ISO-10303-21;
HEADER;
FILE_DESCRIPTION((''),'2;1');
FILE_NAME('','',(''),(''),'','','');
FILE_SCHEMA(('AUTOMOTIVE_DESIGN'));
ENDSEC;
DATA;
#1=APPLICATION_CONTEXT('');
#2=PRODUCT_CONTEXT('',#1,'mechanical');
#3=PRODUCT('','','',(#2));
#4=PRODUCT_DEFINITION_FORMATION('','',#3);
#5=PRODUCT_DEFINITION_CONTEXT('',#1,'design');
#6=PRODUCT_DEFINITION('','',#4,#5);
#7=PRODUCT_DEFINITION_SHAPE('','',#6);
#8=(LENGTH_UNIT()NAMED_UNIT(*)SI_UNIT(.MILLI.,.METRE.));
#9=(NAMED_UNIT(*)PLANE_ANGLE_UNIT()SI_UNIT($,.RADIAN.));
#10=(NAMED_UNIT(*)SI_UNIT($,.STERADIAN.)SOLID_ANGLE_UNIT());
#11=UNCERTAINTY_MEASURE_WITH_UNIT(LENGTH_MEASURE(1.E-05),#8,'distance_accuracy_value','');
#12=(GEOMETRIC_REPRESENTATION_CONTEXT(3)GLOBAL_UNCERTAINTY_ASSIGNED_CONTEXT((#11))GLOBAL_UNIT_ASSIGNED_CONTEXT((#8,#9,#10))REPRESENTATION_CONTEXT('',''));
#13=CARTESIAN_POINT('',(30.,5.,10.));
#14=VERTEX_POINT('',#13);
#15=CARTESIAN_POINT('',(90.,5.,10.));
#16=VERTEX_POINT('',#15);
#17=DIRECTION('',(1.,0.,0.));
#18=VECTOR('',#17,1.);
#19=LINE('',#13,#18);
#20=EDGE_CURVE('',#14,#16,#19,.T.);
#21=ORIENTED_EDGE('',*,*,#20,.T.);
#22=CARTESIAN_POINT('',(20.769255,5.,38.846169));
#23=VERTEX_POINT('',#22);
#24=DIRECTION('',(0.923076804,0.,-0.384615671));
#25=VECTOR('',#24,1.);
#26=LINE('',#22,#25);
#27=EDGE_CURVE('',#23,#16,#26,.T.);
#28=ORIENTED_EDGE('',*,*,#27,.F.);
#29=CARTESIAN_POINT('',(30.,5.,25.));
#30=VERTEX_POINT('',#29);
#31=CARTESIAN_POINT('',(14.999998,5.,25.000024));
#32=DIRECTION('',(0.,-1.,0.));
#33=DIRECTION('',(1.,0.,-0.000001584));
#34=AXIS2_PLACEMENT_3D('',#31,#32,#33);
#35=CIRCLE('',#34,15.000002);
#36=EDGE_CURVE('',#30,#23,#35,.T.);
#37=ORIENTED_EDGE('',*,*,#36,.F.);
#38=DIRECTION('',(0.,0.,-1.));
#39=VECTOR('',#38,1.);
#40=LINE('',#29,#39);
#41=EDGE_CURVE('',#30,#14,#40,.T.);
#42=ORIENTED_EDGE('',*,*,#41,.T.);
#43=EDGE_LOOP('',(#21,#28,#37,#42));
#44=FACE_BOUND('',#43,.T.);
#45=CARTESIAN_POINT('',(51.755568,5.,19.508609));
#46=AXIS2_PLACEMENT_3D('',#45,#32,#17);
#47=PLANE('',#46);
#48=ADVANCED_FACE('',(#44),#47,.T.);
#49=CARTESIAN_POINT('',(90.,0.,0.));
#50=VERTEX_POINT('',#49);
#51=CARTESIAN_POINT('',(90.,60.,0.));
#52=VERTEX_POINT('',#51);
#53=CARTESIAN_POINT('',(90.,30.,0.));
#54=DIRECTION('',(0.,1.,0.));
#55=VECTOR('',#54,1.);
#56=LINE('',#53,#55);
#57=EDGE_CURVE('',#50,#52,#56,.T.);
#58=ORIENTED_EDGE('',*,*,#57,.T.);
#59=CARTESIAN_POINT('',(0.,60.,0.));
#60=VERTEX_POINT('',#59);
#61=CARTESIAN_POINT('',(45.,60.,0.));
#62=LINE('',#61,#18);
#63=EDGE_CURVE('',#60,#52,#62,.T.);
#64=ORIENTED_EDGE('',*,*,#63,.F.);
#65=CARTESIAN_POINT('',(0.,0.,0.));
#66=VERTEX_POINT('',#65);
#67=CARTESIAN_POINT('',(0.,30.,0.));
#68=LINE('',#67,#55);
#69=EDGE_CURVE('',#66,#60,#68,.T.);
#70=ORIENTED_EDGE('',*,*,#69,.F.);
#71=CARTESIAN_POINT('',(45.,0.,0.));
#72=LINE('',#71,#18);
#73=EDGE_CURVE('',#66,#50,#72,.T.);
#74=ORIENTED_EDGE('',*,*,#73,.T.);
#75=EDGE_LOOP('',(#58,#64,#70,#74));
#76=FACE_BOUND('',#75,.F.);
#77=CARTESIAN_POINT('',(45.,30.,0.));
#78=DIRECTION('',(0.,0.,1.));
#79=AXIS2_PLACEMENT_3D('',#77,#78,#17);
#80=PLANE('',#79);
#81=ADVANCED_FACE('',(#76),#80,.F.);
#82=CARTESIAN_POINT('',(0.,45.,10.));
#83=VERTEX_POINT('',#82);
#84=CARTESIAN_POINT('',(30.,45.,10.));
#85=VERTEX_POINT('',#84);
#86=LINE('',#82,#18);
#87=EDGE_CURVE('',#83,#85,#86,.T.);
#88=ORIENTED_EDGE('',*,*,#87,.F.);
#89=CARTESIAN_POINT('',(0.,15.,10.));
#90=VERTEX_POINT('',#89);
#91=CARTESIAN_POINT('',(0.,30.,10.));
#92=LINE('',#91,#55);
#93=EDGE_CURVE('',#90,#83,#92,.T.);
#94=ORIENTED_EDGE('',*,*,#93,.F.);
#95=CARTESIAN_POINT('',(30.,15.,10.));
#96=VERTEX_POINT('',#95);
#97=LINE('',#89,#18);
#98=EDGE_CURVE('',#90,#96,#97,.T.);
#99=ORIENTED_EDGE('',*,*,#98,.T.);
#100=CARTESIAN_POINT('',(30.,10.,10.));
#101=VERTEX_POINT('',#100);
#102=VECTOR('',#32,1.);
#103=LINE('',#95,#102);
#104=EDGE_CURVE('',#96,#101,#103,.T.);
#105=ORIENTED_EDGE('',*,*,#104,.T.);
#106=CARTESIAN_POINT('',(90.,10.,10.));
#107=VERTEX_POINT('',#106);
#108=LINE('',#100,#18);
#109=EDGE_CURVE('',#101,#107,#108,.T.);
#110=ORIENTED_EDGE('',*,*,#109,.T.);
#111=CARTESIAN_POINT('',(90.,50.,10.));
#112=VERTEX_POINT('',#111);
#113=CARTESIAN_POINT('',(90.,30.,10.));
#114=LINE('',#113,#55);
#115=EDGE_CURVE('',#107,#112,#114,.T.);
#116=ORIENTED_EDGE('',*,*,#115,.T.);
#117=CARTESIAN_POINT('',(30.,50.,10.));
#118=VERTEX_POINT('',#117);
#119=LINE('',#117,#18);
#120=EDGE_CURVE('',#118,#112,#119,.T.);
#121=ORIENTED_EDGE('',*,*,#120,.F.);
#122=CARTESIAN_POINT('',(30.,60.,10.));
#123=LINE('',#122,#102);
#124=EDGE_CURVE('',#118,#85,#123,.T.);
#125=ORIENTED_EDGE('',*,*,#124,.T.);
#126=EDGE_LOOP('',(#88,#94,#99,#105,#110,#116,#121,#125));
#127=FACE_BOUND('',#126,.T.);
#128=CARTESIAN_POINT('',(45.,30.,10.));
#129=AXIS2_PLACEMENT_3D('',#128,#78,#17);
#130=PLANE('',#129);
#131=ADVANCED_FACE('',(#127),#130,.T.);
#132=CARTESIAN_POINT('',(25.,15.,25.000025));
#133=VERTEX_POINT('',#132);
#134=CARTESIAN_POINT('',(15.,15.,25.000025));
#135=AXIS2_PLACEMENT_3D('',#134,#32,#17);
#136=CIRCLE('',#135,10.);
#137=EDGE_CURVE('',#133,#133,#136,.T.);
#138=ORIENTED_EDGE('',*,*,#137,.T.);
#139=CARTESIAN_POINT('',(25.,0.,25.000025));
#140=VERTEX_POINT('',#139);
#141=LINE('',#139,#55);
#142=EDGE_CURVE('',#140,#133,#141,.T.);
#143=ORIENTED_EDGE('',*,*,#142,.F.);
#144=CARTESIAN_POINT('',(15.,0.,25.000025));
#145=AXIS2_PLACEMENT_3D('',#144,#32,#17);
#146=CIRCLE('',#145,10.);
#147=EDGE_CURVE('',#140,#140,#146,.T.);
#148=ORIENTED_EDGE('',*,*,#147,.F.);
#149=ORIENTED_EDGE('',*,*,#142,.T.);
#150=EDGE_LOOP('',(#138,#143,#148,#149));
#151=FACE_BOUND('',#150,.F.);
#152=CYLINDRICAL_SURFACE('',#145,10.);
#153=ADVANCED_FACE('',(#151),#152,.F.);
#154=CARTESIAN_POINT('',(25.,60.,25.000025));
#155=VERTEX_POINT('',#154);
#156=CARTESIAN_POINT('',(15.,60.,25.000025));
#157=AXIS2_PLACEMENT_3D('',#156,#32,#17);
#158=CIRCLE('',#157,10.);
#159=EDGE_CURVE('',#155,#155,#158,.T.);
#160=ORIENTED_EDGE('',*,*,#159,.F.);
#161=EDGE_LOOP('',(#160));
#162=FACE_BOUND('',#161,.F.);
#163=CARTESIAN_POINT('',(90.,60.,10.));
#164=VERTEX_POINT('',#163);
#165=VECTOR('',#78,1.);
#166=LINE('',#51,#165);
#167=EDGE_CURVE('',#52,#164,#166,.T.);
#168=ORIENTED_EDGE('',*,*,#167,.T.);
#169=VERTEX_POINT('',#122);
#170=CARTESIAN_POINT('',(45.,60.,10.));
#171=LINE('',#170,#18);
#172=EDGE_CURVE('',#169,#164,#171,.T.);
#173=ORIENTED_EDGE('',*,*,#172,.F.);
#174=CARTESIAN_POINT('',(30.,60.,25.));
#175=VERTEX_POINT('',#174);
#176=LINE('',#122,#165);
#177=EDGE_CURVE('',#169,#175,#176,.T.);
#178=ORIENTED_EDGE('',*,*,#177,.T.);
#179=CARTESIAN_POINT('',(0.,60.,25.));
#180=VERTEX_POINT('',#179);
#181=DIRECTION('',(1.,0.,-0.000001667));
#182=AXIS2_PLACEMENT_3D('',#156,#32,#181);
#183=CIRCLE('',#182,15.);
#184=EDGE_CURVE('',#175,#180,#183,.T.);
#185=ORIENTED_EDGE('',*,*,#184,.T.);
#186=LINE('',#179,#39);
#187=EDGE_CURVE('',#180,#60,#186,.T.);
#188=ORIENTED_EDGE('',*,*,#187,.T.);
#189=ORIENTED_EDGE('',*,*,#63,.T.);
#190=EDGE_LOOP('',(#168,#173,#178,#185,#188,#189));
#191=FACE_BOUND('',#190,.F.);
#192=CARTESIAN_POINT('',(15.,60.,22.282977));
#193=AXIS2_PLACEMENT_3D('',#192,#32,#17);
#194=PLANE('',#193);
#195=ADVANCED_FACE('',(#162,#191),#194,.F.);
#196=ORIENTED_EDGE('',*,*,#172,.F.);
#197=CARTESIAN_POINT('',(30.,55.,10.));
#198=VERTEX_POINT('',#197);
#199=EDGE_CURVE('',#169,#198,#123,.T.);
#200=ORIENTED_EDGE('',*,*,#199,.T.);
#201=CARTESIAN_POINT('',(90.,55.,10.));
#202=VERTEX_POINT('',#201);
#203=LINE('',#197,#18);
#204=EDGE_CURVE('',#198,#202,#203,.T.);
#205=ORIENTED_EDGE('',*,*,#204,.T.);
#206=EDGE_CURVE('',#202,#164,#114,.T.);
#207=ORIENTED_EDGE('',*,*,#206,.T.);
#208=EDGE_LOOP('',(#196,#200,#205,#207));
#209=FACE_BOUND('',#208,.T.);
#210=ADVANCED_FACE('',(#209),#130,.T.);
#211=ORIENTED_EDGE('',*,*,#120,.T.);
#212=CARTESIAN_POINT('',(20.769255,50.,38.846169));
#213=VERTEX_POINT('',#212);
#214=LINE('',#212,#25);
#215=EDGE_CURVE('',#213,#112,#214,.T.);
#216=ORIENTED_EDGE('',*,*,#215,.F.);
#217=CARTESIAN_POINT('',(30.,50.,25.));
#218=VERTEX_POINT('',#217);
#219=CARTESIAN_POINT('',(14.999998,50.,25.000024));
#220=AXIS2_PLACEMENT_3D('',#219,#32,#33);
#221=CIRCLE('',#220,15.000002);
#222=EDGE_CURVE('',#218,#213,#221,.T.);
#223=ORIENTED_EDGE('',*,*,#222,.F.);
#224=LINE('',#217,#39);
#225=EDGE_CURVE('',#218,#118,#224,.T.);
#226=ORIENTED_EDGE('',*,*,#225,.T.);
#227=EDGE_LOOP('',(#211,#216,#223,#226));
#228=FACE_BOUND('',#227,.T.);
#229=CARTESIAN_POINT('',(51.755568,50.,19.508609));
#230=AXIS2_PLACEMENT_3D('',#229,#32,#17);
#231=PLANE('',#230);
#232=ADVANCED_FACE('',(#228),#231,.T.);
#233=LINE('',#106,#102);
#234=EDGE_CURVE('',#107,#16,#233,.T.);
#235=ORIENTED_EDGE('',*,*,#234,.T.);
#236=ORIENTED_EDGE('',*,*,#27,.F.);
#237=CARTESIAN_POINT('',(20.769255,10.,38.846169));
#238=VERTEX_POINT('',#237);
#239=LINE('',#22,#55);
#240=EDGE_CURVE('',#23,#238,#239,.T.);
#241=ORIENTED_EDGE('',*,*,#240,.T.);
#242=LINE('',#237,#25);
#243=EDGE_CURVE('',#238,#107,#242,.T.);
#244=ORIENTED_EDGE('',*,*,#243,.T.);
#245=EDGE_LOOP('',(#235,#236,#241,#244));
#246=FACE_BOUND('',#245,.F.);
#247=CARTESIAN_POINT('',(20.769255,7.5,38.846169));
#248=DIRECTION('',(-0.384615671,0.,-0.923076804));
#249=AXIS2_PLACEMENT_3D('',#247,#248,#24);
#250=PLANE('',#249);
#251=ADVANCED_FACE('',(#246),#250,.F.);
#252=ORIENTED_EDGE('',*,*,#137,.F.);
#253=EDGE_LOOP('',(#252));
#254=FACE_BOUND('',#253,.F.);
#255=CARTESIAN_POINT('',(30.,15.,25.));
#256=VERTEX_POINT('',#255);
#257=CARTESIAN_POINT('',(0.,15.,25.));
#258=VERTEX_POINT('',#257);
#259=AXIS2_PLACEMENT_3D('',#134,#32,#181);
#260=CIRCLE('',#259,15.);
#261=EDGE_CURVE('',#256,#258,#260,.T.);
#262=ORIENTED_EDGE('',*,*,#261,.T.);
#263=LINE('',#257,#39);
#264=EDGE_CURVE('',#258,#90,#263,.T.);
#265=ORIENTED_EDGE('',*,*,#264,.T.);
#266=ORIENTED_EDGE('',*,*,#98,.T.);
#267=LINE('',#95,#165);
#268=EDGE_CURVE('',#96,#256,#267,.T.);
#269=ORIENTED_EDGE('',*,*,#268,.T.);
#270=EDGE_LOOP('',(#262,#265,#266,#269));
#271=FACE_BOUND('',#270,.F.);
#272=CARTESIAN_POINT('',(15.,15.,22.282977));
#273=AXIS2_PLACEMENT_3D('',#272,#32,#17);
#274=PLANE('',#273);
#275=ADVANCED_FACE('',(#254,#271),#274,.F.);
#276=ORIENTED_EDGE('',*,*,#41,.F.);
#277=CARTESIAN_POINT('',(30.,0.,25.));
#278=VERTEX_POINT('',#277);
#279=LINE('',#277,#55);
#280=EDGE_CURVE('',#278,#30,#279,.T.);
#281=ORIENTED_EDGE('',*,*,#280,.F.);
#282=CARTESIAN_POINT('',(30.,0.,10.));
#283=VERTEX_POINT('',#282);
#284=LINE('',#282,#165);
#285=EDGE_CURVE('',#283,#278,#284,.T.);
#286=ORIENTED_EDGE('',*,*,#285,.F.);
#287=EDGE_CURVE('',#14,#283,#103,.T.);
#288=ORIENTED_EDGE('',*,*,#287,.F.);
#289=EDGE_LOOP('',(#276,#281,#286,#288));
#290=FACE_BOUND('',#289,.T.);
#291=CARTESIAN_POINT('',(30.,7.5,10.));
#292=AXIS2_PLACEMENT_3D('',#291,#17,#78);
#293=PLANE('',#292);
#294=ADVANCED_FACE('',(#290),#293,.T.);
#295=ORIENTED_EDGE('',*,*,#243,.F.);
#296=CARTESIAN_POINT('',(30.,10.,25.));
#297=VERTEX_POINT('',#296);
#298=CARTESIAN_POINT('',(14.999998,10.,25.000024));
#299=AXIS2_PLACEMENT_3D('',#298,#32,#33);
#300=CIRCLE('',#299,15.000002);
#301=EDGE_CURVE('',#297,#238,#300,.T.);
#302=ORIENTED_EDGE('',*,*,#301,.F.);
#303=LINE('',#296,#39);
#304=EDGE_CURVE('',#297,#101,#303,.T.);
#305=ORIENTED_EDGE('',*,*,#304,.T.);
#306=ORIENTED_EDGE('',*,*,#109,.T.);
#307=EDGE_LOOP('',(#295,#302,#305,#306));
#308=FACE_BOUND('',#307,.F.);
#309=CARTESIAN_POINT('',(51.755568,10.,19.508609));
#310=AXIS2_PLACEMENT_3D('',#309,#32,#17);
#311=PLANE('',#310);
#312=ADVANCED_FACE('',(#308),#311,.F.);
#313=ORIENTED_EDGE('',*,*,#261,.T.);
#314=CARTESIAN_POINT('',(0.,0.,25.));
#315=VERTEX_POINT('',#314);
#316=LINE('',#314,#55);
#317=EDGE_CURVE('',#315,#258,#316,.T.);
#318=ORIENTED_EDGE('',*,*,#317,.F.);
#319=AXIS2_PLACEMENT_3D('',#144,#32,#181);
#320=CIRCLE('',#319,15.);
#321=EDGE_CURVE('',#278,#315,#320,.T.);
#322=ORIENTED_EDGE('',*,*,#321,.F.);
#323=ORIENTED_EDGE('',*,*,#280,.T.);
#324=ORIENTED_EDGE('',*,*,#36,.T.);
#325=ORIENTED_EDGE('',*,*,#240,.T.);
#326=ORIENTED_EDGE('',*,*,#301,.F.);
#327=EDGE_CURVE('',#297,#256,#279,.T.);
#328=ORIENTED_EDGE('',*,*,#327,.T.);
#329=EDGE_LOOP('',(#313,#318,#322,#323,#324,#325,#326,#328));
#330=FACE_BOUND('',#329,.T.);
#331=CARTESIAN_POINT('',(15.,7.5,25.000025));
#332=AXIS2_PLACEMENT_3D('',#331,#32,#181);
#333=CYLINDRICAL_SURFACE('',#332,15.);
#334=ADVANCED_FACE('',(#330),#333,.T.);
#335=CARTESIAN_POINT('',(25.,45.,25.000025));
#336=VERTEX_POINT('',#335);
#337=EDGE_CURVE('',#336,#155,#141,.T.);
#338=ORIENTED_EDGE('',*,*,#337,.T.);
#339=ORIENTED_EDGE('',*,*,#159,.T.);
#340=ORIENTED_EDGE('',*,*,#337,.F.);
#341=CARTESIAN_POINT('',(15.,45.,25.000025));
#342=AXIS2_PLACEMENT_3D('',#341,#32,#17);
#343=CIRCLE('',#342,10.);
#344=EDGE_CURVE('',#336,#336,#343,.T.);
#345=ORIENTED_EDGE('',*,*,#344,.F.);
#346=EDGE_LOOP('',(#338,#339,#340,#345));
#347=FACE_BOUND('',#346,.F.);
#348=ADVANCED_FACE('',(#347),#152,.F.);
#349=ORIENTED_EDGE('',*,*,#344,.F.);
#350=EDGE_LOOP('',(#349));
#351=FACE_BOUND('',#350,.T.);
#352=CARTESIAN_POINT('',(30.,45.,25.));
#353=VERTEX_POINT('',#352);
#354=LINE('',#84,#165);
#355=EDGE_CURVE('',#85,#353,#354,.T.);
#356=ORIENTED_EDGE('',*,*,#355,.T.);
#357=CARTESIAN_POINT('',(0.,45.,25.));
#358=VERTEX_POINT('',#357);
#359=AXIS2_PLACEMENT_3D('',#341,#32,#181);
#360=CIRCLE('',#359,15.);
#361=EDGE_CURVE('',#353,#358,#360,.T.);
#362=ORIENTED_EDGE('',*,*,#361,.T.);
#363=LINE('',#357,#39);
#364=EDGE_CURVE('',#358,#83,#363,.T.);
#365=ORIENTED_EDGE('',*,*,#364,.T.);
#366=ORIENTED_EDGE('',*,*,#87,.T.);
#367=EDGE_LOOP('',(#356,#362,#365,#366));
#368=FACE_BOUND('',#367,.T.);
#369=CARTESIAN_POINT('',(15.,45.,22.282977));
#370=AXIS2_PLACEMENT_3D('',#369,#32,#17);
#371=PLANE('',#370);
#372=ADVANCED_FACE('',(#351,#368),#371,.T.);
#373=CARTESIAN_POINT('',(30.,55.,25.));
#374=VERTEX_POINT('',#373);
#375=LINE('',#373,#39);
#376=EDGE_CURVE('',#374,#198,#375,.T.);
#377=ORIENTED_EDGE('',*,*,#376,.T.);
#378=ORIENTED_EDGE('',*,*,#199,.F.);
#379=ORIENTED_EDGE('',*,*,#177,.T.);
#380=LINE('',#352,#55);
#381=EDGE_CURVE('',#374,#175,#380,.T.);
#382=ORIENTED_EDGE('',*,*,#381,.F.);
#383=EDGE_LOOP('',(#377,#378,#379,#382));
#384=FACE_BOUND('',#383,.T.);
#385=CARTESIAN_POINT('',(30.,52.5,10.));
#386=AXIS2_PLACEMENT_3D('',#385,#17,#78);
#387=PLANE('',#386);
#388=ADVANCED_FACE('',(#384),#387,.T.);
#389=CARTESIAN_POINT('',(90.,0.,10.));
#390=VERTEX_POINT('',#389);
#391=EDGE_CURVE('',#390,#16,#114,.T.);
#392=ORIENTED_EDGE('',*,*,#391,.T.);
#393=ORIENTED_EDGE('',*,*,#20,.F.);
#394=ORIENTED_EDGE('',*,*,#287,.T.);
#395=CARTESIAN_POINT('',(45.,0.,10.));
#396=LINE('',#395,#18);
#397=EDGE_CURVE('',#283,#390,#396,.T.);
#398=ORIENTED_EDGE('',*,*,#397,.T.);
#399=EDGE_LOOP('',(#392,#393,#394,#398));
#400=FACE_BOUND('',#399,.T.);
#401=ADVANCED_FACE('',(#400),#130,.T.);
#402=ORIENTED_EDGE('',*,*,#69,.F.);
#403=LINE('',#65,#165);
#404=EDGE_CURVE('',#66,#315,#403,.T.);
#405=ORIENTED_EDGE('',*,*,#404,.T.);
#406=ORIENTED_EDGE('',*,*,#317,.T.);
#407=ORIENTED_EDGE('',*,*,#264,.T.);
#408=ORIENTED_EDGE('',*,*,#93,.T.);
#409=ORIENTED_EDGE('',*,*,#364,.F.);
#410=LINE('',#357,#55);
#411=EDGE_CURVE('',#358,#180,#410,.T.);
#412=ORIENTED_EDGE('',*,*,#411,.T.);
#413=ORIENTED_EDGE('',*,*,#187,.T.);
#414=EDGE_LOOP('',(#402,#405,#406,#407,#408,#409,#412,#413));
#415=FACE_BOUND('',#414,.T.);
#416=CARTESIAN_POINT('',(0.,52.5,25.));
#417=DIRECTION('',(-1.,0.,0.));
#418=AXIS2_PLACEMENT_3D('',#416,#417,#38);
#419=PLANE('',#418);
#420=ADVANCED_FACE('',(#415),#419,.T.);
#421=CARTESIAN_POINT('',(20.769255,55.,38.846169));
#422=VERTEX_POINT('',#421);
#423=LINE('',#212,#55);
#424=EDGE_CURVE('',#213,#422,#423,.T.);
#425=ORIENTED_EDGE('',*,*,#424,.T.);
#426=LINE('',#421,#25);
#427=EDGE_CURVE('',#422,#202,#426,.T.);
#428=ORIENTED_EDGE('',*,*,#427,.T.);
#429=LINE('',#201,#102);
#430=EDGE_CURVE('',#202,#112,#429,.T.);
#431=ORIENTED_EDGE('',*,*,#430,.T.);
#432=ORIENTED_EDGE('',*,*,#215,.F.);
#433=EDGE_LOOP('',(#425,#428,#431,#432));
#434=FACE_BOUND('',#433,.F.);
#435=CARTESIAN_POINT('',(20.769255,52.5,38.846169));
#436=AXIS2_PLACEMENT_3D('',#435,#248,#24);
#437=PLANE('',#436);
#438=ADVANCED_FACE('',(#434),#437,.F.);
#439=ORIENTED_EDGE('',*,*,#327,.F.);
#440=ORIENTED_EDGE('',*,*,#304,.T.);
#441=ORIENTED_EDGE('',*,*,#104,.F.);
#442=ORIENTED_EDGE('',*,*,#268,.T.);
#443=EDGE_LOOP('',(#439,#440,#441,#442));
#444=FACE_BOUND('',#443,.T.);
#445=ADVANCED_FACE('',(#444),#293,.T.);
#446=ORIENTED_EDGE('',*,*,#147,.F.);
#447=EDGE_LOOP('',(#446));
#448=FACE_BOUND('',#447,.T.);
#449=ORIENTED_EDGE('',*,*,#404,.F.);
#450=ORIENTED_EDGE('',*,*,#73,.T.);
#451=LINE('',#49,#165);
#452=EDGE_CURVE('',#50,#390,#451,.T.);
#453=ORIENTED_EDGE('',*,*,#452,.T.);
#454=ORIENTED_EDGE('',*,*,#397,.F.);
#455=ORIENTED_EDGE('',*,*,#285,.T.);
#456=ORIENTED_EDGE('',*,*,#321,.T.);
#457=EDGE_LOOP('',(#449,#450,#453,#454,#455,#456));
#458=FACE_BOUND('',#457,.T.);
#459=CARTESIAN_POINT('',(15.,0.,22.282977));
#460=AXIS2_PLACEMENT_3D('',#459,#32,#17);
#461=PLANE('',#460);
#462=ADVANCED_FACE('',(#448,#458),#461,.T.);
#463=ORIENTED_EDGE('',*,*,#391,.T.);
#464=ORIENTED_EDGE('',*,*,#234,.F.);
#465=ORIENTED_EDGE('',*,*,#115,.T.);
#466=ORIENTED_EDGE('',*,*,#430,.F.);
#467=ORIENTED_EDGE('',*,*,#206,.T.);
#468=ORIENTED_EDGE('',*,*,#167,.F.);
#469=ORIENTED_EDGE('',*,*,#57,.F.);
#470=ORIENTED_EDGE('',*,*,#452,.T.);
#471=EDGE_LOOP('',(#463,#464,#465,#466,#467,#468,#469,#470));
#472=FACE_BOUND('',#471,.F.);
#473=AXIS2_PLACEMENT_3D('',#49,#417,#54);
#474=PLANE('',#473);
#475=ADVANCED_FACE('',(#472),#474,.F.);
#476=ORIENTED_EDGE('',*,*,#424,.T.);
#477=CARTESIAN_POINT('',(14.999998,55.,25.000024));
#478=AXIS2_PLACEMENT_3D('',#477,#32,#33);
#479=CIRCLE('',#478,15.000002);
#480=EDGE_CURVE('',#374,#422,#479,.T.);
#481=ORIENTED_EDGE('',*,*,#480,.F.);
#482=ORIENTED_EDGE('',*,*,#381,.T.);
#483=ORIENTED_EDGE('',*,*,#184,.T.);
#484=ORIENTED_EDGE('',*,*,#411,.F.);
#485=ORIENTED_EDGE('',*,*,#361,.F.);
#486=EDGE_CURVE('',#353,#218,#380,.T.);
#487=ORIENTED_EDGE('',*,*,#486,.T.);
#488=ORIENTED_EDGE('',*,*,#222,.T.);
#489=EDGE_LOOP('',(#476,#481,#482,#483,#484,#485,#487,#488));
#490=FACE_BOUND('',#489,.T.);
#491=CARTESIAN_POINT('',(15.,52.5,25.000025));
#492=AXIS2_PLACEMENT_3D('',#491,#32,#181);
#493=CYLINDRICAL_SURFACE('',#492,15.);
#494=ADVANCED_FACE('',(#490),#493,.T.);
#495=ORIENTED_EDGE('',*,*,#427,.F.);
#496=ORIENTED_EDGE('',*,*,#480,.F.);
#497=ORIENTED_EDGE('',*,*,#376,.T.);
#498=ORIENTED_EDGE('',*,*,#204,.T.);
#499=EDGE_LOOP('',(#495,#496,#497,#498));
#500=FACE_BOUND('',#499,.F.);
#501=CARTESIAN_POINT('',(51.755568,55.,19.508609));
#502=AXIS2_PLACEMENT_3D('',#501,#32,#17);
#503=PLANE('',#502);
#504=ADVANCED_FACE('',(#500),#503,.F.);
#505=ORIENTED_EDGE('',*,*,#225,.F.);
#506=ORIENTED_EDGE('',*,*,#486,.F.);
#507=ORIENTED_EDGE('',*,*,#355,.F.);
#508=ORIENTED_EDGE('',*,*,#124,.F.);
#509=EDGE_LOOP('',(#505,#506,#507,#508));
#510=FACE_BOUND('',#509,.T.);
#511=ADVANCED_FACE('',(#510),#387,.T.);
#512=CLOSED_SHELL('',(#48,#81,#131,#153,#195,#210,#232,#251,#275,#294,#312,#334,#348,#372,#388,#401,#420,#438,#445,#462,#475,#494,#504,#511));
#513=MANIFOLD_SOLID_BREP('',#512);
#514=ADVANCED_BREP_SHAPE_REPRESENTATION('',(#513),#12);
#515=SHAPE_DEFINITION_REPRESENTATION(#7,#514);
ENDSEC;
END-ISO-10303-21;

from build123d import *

# Parameters (mm, degrees)
SKETCH_W               = 90
SKETCH_H               = 60
PAD_DEPTH              = 10
PAD001_DEPTH           = 7.5
PAD002_DEPTH           = 2.5
LINEARPATTERN_COUNT    = 2
LINEARPATTERN_PITCH    = 45
LINEARPATTERN001_COUNT = 2
LINEARPATTERN001_PITCH = 45
SKETCH003_R            = 10
POCKET_DEPTH           = 60


with BuildPart() as part:
    # Sketch → Pad (new body)
    with BuildSketch(Plane.XY):
        with Locations((45, 30)):
            Rectangle(SKETCH_W, SKETCH_H)
    extrude(amount=PAD_DEPTH)

    # Sketch001 → Pad001 (join, symmetric)
    with BuildSketch(Plane.XZ.offset(-7.5)):
        with BuildLine():
            Line((0, 25), (0, 10))
            Line((0, 10), (30, 10))
            Line((30, 10), (30, 25))
            ThreePointArc((30, 25), (15, 40.000025), (0, 25))
        make_face()
    pad001 = extrude(amount=PAD001_DEPTH, both=True)

    # Sketch002 → Pad002 (join, symmetric)
    with BuildSketch(Plane.XZ.offset(-7.5)):
        with BuildLine():
            Line((30, 25), (30, 10))
            Line((30, 10), (90, 10))
            Line((20.769255, 38.846169), (90, 10))
            ThreePointArc((30, 25), (27.480768, 33.320507), (20.769255, 38.846169))
        make_face()
    pad002 = extrude(amount=PAD002_DEPTH, both=True)

    # LinearPattern: Pad001 ×2
    with Locations(*[(0, i * LINEARPATTERN_PITCH, 0) for i in range(1, LINEARPATTERN_COUNT)]):
        add(pad001)

    # LinearPattern001: Pad002 ×2
    with Locations(*[(0, i * LINEARPATTERN001_PITCH, 0) for i in range(1, LINEARPATTERN001_COUNT)]):
        add(pad002)

    # Sketch003 (on Face5 of LinearPattern001) → Pocket (cut)
    with BuildSketch(Plane.XZ):
        with Locations((15, 25.000025)):
            Circle(SKETCH003_R)
    extrude(amount=-POCKET_DEPTH, mode=Mode.SUBTRACT)


solid = part.part
